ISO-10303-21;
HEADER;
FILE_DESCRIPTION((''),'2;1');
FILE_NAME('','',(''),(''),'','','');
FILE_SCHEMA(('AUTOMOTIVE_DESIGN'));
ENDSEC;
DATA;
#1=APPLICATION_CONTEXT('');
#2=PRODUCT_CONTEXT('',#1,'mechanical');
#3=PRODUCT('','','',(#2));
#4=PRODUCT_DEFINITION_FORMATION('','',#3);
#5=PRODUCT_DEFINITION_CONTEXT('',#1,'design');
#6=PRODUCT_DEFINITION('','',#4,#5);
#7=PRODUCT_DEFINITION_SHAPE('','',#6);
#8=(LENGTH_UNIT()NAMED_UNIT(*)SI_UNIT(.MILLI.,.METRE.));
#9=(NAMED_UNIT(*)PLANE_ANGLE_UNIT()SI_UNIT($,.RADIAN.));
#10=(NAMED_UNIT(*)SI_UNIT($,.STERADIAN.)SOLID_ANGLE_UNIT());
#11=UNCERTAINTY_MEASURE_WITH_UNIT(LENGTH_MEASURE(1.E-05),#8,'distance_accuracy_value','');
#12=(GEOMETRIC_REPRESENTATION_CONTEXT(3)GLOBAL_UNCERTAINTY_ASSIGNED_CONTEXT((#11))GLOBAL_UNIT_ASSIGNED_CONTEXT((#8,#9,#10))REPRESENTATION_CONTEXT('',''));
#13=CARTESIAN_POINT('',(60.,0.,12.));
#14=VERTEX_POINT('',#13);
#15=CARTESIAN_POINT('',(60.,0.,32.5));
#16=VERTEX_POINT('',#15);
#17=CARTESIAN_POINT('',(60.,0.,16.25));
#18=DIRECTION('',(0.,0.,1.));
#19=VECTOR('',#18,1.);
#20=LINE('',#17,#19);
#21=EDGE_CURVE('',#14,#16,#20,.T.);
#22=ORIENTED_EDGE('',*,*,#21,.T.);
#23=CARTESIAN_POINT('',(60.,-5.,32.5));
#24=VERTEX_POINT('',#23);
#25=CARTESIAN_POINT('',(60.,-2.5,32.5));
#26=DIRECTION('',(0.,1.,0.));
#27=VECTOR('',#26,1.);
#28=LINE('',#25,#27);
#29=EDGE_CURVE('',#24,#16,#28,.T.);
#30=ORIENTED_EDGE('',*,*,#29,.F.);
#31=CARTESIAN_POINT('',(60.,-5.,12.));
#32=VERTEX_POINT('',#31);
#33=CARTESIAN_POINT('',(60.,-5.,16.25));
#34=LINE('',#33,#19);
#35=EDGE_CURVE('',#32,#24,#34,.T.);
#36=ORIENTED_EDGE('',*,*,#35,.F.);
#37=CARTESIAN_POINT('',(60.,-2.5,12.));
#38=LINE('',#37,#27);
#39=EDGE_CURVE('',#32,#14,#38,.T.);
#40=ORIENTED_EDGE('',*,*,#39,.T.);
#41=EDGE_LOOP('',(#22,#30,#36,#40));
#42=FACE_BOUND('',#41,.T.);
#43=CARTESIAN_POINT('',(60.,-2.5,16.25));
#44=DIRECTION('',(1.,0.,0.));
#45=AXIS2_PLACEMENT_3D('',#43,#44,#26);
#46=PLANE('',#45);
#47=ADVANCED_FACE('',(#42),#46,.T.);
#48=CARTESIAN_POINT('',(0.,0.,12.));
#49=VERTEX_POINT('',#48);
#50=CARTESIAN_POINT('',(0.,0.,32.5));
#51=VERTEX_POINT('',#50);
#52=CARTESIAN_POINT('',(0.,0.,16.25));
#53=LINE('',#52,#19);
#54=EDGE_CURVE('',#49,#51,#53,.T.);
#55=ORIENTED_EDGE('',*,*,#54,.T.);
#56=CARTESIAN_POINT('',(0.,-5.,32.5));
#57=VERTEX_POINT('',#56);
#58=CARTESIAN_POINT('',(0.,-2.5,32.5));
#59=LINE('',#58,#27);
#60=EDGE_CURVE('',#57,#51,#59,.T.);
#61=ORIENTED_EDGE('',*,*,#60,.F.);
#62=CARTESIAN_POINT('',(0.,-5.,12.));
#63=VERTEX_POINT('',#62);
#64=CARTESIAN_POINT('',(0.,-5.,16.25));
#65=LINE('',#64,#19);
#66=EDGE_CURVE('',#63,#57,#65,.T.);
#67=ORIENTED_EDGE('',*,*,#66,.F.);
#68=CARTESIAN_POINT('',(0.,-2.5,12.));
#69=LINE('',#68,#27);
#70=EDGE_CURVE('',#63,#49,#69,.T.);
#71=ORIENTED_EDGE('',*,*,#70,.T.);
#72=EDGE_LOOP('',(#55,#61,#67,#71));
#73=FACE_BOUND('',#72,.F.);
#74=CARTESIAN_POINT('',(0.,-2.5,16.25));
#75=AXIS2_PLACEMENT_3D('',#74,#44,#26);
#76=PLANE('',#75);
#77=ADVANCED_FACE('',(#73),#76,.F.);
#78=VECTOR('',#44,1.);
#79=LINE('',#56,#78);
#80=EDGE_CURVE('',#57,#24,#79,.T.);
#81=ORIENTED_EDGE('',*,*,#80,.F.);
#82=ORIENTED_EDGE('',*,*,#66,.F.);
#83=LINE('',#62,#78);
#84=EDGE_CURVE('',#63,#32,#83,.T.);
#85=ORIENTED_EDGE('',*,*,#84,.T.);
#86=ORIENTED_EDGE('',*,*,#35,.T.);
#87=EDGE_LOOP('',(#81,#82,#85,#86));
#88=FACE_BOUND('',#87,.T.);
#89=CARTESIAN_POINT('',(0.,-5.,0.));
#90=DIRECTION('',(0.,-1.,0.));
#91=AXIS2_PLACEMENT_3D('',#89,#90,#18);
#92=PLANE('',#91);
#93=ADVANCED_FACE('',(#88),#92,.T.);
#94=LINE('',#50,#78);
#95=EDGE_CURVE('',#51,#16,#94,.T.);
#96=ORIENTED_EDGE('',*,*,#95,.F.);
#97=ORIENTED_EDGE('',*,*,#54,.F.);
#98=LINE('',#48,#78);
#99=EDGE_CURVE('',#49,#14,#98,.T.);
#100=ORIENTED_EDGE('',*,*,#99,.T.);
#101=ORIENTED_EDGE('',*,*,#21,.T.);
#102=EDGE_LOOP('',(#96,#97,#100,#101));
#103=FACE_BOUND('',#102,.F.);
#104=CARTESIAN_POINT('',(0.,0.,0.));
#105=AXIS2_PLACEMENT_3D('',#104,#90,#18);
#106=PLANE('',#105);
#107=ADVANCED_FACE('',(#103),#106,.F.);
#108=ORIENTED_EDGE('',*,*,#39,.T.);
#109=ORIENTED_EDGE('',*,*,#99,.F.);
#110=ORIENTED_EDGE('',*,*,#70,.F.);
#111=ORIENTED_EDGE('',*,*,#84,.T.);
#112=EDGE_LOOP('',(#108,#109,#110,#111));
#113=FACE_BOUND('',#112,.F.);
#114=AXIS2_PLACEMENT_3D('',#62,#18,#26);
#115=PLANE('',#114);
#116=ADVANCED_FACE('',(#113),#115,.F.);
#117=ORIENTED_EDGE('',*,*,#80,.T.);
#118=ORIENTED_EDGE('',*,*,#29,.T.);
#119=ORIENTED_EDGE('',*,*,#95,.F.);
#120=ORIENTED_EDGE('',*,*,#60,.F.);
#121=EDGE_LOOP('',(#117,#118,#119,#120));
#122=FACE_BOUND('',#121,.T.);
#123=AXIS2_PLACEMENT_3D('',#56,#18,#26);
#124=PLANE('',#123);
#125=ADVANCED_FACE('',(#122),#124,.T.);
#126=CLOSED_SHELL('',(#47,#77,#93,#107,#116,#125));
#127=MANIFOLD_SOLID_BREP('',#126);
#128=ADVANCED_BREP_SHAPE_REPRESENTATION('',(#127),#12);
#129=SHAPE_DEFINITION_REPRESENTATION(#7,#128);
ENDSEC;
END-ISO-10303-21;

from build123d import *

# Parameters (mm, degrees)
F0_W     = 5
F0_H     = 32.5
F1_DEPTH = 60
F2_W     = 5
F2_H     = 12
F3_DEPTH = 60


with BuildPart() as f1:
    # F0 (on Right) → F1 (new body)
    with BuildSketch(Plane.YZ):
        with Locations((-2.5, 16.25)):
            Rectangle(F0_W, F0_H)
    extrude(amount=F1_DEPTH)

    # F2 (on Right) → F3 (cut)
    with BuildSketch(Plane.YZ):
        with Locations((-2.5, 6)):
            Rectangle(F2_W, F2_H)
    extrude(amount=F3_DEPTH, mode=Mode.SUBTRACT)


solid = f1.part
